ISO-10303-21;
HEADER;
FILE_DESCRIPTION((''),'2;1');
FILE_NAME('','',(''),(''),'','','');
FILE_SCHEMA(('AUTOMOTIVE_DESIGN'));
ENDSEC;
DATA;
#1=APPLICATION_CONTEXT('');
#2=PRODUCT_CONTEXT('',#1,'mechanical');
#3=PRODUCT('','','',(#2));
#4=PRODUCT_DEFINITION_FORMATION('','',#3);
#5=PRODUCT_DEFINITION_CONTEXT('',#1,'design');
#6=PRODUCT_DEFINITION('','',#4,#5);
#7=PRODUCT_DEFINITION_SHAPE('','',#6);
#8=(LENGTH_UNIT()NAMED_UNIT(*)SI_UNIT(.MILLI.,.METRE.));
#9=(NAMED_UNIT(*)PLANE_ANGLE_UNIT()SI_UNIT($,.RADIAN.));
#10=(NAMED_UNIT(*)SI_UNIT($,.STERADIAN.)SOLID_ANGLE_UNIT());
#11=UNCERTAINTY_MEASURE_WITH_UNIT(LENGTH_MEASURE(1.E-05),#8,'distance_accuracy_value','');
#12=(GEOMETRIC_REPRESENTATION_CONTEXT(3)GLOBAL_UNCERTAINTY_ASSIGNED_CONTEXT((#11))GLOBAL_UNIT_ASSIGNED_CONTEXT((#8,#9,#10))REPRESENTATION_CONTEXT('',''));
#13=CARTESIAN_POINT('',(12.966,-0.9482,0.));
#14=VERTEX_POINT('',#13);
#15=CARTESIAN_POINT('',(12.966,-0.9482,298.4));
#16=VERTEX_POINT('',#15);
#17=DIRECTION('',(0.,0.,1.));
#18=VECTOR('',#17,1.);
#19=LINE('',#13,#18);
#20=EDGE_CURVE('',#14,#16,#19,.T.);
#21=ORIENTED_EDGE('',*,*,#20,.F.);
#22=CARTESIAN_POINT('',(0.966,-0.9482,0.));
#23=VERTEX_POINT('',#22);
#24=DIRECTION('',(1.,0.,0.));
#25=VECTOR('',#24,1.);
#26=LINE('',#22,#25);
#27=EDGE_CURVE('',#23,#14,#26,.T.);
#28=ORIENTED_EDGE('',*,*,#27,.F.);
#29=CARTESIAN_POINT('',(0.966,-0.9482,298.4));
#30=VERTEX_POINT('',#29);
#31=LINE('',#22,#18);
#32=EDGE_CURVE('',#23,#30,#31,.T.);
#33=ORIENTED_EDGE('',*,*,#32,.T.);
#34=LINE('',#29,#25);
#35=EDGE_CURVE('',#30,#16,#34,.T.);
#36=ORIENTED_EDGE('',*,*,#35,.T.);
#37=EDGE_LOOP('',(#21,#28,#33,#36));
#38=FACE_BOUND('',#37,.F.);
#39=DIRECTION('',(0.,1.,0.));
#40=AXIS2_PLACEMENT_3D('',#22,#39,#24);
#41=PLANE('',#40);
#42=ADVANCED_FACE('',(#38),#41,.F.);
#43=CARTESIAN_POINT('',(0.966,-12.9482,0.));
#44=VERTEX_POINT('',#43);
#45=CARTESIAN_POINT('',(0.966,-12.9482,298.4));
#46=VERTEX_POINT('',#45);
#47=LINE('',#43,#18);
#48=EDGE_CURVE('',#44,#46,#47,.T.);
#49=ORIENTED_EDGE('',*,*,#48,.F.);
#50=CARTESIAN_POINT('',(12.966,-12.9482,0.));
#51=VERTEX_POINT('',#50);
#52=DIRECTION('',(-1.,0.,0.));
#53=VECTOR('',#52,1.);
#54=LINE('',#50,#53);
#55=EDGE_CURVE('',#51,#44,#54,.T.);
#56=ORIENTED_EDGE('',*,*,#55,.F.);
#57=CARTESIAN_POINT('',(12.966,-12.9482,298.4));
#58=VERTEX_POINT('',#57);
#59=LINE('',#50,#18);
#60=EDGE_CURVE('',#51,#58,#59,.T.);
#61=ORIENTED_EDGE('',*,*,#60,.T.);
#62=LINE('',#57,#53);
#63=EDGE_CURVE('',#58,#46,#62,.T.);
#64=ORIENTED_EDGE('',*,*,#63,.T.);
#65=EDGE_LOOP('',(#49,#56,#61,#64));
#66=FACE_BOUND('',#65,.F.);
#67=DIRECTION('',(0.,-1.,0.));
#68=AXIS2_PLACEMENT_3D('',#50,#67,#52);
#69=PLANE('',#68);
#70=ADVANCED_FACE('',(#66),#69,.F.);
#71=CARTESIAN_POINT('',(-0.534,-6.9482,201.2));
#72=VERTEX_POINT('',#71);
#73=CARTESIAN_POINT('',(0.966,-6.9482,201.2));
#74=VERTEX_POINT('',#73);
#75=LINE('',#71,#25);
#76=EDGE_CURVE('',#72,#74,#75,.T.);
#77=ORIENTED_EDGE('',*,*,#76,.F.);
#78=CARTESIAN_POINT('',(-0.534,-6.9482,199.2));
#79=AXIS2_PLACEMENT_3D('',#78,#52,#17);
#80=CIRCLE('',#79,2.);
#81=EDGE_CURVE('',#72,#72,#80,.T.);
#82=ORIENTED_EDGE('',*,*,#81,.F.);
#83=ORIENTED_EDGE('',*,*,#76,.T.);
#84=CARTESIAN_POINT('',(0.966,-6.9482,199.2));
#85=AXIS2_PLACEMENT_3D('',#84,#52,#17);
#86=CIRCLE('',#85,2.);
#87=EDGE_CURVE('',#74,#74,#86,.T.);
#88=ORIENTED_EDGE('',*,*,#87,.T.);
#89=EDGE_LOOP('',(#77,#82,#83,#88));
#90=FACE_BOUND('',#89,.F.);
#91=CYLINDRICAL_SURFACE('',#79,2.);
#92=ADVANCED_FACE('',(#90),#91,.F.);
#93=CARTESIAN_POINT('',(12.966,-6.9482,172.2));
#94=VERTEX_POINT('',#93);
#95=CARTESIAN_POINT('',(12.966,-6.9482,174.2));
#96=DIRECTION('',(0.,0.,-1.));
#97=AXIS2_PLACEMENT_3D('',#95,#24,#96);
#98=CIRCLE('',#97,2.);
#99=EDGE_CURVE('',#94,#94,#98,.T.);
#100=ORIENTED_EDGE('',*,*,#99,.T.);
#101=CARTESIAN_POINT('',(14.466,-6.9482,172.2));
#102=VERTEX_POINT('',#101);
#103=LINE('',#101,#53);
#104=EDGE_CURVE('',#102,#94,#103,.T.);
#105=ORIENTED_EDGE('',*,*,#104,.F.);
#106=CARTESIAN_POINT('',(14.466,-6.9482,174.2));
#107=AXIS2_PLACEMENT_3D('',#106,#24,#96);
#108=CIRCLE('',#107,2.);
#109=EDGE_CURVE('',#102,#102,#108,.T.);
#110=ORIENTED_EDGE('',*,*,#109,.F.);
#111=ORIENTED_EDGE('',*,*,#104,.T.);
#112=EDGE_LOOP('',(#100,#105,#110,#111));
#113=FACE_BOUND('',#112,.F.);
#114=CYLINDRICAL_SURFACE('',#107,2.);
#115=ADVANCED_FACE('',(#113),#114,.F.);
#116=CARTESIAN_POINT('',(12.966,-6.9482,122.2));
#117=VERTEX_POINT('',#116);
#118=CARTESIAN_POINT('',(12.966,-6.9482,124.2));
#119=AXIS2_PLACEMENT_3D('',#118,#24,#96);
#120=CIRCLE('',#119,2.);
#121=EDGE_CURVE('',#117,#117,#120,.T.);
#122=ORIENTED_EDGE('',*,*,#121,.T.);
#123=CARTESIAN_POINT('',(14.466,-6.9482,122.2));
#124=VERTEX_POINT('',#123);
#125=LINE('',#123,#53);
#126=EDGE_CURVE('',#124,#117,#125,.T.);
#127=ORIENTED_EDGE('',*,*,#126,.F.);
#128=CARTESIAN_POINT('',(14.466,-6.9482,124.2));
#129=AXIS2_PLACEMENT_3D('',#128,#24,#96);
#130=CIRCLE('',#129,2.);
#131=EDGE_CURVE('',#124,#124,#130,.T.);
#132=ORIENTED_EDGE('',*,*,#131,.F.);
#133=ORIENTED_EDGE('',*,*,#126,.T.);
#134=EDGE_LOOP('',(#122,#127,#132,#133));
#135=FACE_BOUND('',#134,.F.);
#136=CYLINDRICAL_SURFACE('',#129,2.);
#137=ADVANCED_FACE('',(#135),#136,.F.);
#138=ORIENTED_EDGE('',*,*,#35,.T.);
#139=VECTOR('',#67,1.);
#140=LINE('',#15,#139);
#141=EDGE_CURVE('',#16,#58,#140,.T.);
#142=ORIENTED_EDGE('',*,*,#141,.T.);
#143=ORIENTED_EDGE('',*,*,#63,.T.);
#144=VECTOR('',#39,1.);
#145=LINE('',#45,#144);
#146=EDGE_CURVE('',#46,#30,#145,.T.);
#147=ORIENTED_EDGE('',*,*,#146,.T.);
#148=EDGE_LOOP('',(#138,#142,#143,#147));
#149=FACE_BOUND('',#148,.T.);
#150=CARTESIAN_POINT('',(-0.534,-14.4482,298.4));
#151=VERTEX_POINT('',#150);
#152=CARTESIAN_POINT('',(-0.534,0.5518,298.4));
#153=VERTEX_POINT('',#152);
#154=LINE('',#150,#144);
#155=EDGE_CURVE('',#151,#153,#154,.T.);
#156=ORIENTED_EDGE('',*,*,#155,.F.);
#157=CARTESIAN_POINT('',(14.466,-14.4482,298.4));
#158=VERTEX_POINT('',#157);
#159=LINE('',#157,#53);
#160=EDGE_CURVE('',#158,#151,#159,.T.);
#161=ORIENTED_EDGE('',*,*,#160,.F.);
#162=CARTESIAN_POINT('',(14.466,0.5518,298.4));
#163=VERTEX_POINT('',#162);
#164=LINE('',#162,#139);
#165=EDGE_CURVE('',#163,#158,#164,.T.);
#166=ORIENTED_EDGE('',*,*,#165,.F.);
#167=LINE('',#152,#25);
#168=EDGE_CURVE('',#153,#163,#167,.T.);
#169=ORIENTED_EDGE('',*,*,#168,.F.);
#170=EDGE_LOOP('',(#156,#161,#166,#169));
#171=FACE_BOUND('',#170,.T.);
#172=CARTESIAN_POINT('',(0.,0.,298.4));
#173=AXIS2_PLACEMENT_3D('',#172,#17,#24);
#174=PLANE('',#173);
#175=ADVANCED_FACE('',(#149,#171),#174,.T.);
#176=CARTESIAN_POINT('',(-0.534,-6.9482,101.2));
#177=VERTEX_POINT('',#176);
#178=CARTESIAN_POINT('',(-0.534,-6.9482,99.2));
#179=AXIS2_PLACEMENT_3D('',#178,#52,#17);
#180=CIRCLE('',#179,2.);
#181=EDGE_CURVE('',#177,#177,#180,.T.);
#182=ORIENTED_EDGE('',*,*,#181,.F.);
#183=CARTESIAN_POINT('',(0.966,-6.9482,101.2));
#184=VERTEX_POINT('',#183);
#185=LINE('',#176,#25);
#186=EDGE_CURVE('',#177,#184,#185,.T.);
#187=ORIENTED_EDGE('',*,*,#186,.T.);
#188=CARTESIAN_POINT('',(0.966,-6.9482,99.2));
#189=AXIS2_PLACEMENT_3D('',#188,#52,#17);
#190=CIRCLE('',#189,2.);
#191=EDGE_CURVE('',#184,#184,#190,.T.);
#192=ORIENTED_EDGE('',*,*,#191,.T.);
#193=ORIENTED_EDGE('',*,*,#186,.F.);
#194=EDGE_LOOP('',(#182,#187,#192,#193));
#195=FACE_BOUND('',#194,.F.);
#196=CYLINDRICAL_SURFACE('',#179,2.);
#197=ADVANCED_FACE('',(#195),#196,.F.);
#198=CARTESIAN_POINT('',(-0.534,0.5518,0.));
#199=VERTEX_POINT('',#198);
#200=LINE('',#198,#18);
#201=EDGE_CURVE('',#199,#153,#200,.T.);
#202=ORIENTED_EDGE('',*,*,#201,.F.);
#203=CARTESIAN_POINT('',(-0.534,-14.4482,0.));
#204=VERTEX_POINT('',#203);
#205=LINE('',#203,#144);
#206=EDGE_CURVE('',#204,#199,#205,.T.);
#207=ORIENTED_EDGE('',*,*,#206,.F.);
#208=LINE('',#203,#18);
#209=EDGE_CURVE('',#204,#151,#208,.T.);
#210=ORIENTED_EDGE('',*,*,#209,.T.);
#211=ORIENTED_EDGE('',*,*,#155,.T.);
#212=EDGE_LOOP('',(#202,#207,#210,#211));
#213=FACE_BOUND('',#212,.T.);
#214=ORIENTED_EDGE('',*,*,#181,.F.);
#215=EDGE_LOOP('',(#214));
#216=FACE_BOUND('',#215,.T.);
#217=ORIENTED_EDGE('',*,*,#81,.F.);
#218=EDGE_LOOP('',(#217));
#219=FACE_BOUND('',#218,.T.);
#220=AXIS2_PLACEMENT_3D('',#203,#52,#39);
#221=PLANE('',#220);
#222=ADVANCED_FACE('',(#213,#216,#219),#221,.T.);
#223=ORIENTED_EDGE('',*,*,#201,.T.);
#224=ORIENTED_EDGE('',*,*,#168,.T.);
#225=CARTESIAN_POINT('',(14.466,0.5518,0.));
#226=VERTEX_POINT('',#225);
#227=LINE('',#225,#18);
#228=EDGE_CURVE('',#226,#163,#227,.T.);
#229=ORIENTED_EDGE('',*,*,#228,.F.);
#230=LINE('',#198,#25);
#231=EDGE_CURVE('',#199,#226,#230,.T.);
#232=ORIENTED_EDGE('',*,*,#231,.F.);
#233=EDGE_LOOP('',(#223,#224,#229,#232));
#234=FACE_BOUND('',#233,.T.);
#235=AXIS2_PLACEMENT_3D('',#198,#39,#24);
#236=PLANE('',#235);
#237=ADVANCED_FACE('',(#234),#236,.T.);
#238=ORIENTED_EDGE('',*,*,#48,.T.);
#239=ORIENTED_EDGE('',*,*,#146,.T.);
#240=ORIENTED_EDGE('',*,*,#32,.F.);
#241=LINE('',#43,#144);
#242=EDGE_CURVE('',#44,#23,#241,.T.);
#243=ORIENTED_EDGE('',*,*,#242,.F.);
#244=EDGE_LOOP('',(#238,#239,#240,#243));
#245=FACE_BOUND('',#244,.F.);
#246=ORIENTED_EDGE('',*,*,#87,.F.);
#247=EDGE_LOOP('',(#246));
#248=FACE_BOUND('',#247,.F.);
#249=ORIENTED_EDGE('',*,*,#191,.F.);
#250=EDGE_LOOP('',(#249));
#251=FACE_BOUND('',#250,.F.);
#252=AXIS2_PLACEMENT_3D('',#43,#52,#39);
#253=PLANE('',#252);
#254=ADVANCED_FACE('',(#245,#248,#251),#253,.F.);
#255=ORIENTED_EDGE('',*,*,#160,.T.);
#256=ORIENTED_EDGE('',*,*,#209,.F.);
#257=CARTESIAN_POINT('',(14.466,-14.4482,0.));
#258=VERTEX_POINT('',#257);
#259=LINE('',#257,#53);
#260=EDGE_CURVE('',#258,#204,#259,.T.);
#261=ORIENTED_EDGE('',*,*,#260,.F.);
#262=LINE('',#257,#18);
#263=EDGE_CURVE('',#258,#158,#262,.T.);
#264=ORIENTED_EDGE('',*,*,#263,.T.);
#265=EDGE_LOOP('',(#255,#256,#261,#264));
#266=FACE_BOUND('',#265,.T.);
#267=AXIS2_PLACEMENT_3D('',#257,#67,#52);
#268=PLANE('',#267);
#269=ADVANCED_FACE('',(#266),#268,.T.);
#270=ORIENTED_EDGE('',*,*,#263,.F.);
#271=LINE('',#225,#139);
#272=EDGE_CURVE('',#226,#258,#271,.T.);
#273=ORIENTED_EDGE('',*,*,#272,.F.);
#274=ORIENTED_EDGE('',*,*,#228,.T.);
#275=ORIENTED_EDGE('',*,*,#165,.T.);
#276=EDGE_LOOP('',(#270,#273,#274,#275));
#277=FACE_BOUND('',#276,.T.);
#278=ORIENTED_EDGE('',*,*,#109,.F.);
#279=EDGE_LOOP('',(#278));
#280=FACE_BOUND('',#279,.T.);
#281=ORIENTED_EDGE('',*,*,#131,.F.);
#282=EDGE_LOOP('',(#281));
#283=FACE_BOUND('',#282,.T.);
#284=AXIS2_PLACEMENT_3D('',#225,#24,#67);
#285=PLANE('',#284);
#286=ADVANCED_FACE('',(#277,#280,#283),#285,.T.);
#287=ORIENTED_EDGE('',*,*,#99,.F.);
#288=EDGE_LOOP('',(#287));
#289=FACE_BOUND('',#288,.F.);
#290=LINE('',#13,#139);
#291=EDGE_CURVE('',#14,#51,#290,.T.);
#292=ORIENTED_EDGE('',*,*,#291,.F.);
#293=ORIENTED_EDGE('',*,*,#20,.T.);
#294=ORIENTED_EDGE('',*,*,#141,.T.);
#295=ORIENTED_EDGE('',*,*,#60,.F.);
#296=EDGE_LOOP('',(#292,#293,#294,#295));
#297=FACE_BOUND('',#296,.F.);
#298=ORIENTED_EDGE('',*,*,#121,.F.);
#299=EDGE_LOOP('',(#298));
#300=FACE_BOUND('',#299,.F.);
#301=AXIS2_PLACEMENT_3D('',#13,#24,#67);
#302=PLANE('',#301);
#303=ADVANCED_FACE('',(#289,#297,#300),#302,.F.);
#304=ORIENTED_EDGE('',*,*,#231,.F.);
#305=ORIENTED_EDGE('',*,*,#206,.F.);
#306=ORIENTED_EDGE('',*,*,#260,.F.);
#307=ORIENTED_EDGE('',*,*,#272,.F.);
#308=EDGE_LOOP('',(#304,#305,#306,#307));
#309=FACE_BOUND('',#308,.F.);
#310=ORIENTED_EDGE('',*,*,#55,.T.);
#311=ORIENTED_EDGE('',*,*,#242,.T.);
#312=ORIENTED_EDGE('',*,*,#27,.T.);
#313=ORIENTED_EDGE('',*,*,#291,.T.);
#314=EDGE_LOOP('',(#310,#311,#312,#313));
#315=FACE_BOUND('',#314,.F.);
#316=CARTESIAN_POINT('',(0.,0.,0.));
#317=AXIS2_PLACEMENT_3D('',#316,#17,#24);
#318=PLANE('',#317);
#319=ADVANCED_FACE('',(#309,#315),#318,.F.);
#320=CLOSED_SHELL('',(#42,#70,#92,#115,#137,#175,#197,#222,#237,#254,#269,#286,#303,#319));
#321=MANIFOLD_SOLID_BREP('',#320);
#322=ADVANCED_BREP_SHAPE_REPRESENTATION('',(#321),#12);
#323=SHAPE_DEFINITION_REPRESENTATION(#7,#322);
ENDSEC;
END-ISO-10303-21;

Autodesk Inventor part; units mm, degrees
ref_plane "YZ Plane" through (0, 0, 0) normal (1, 0, 0) x (0, 1, 0)
ref_plane "XZ Plane" through (0, 0, 0) normal (0, 1, 0) x (-1, 0, 0)
ref_plane "XY Plane" through (0, 0, 0) normal (0, 0, 1) x (1, 0, 0)
sketch "Boceto1" plane through (0, 0, 0) normal (0, 0, 1) x (1, 0, 0)
  line L0 (-0.534, 0.5518) -> (14.466, 0.5518)
  line L1 (14.466, 0.5518) -> (14.466, -14.4482)
  line L2 (14.466, -14.4482) -> (-0.534, -14.4482)
  line L3 (-0.534, -14.4482) -> (-0.534, 0.5518)
  line L4 (0.966, -0.9482) -> (12.966, -0.9482)
  line L5 (12.966, -0.9482) -> (12.966, -12.9482)
  line L6 (12.966, -12.9482) -> (0.966, -12.9482)
  line L7 (0.966, -12.9482) -> (0.966, -0.9482)
  point P0 (0, 0)
  point P1 (6.966, -0.9482)
  dimension "d0" = 15
  dimension "d1" = 15
  dimension "d2" = 1.5
  dimension "d3" = 1.5
  dimension "d4" = 1.5
  dimension "d5" = 1.5
extrude "Extrusión1" add sketch "Boceto1" along normal blind 298.4
sketch "Boceto2" plane through (14.466, -14.4482, 0) normal (1, 0, 0) x (0, 0, -1)
  circle A0 centre (-174.2, 7.5) radius 2
  circle A1 centre (-124.2, 7.5) radius 2
  line L0 (0, 0) -> (-298.4, 0) projected
  line L1 (0, 0) -> (0, 15) projected
  point P0 (0, 14.4482)
  dimension "d8" = 4
  dimension "d9" = 4
  dimension "d10" = 7.5
  dimension "d11" = 7.5
  dimension "d12" = 50
  dimension "d13" = 124.2
extrude "Extrusión2" cut sketch "Boceto2" against normal blind 10
sketch "Boceto3" plane through (-0.534, -14.4482, 0) normal (-1, 0, 0) x (0, 0, 1)
  circle A0 centre (99.2, 7.5) radius 2
  circle A1 centre (199.2, 7.5) radius 2
  line L0 (0, 15) -> (0, 0) projected
  point P0 (0, 14.4482)
  dimension "d16" = 4
  dimension "d17" = 4
  dimension "d18" = 100
  dimension "d19" = 99.2
extrude "Extrusión3" cut sketch "Boceto3" against normal blind 10
properties part number "S_horizontal"
